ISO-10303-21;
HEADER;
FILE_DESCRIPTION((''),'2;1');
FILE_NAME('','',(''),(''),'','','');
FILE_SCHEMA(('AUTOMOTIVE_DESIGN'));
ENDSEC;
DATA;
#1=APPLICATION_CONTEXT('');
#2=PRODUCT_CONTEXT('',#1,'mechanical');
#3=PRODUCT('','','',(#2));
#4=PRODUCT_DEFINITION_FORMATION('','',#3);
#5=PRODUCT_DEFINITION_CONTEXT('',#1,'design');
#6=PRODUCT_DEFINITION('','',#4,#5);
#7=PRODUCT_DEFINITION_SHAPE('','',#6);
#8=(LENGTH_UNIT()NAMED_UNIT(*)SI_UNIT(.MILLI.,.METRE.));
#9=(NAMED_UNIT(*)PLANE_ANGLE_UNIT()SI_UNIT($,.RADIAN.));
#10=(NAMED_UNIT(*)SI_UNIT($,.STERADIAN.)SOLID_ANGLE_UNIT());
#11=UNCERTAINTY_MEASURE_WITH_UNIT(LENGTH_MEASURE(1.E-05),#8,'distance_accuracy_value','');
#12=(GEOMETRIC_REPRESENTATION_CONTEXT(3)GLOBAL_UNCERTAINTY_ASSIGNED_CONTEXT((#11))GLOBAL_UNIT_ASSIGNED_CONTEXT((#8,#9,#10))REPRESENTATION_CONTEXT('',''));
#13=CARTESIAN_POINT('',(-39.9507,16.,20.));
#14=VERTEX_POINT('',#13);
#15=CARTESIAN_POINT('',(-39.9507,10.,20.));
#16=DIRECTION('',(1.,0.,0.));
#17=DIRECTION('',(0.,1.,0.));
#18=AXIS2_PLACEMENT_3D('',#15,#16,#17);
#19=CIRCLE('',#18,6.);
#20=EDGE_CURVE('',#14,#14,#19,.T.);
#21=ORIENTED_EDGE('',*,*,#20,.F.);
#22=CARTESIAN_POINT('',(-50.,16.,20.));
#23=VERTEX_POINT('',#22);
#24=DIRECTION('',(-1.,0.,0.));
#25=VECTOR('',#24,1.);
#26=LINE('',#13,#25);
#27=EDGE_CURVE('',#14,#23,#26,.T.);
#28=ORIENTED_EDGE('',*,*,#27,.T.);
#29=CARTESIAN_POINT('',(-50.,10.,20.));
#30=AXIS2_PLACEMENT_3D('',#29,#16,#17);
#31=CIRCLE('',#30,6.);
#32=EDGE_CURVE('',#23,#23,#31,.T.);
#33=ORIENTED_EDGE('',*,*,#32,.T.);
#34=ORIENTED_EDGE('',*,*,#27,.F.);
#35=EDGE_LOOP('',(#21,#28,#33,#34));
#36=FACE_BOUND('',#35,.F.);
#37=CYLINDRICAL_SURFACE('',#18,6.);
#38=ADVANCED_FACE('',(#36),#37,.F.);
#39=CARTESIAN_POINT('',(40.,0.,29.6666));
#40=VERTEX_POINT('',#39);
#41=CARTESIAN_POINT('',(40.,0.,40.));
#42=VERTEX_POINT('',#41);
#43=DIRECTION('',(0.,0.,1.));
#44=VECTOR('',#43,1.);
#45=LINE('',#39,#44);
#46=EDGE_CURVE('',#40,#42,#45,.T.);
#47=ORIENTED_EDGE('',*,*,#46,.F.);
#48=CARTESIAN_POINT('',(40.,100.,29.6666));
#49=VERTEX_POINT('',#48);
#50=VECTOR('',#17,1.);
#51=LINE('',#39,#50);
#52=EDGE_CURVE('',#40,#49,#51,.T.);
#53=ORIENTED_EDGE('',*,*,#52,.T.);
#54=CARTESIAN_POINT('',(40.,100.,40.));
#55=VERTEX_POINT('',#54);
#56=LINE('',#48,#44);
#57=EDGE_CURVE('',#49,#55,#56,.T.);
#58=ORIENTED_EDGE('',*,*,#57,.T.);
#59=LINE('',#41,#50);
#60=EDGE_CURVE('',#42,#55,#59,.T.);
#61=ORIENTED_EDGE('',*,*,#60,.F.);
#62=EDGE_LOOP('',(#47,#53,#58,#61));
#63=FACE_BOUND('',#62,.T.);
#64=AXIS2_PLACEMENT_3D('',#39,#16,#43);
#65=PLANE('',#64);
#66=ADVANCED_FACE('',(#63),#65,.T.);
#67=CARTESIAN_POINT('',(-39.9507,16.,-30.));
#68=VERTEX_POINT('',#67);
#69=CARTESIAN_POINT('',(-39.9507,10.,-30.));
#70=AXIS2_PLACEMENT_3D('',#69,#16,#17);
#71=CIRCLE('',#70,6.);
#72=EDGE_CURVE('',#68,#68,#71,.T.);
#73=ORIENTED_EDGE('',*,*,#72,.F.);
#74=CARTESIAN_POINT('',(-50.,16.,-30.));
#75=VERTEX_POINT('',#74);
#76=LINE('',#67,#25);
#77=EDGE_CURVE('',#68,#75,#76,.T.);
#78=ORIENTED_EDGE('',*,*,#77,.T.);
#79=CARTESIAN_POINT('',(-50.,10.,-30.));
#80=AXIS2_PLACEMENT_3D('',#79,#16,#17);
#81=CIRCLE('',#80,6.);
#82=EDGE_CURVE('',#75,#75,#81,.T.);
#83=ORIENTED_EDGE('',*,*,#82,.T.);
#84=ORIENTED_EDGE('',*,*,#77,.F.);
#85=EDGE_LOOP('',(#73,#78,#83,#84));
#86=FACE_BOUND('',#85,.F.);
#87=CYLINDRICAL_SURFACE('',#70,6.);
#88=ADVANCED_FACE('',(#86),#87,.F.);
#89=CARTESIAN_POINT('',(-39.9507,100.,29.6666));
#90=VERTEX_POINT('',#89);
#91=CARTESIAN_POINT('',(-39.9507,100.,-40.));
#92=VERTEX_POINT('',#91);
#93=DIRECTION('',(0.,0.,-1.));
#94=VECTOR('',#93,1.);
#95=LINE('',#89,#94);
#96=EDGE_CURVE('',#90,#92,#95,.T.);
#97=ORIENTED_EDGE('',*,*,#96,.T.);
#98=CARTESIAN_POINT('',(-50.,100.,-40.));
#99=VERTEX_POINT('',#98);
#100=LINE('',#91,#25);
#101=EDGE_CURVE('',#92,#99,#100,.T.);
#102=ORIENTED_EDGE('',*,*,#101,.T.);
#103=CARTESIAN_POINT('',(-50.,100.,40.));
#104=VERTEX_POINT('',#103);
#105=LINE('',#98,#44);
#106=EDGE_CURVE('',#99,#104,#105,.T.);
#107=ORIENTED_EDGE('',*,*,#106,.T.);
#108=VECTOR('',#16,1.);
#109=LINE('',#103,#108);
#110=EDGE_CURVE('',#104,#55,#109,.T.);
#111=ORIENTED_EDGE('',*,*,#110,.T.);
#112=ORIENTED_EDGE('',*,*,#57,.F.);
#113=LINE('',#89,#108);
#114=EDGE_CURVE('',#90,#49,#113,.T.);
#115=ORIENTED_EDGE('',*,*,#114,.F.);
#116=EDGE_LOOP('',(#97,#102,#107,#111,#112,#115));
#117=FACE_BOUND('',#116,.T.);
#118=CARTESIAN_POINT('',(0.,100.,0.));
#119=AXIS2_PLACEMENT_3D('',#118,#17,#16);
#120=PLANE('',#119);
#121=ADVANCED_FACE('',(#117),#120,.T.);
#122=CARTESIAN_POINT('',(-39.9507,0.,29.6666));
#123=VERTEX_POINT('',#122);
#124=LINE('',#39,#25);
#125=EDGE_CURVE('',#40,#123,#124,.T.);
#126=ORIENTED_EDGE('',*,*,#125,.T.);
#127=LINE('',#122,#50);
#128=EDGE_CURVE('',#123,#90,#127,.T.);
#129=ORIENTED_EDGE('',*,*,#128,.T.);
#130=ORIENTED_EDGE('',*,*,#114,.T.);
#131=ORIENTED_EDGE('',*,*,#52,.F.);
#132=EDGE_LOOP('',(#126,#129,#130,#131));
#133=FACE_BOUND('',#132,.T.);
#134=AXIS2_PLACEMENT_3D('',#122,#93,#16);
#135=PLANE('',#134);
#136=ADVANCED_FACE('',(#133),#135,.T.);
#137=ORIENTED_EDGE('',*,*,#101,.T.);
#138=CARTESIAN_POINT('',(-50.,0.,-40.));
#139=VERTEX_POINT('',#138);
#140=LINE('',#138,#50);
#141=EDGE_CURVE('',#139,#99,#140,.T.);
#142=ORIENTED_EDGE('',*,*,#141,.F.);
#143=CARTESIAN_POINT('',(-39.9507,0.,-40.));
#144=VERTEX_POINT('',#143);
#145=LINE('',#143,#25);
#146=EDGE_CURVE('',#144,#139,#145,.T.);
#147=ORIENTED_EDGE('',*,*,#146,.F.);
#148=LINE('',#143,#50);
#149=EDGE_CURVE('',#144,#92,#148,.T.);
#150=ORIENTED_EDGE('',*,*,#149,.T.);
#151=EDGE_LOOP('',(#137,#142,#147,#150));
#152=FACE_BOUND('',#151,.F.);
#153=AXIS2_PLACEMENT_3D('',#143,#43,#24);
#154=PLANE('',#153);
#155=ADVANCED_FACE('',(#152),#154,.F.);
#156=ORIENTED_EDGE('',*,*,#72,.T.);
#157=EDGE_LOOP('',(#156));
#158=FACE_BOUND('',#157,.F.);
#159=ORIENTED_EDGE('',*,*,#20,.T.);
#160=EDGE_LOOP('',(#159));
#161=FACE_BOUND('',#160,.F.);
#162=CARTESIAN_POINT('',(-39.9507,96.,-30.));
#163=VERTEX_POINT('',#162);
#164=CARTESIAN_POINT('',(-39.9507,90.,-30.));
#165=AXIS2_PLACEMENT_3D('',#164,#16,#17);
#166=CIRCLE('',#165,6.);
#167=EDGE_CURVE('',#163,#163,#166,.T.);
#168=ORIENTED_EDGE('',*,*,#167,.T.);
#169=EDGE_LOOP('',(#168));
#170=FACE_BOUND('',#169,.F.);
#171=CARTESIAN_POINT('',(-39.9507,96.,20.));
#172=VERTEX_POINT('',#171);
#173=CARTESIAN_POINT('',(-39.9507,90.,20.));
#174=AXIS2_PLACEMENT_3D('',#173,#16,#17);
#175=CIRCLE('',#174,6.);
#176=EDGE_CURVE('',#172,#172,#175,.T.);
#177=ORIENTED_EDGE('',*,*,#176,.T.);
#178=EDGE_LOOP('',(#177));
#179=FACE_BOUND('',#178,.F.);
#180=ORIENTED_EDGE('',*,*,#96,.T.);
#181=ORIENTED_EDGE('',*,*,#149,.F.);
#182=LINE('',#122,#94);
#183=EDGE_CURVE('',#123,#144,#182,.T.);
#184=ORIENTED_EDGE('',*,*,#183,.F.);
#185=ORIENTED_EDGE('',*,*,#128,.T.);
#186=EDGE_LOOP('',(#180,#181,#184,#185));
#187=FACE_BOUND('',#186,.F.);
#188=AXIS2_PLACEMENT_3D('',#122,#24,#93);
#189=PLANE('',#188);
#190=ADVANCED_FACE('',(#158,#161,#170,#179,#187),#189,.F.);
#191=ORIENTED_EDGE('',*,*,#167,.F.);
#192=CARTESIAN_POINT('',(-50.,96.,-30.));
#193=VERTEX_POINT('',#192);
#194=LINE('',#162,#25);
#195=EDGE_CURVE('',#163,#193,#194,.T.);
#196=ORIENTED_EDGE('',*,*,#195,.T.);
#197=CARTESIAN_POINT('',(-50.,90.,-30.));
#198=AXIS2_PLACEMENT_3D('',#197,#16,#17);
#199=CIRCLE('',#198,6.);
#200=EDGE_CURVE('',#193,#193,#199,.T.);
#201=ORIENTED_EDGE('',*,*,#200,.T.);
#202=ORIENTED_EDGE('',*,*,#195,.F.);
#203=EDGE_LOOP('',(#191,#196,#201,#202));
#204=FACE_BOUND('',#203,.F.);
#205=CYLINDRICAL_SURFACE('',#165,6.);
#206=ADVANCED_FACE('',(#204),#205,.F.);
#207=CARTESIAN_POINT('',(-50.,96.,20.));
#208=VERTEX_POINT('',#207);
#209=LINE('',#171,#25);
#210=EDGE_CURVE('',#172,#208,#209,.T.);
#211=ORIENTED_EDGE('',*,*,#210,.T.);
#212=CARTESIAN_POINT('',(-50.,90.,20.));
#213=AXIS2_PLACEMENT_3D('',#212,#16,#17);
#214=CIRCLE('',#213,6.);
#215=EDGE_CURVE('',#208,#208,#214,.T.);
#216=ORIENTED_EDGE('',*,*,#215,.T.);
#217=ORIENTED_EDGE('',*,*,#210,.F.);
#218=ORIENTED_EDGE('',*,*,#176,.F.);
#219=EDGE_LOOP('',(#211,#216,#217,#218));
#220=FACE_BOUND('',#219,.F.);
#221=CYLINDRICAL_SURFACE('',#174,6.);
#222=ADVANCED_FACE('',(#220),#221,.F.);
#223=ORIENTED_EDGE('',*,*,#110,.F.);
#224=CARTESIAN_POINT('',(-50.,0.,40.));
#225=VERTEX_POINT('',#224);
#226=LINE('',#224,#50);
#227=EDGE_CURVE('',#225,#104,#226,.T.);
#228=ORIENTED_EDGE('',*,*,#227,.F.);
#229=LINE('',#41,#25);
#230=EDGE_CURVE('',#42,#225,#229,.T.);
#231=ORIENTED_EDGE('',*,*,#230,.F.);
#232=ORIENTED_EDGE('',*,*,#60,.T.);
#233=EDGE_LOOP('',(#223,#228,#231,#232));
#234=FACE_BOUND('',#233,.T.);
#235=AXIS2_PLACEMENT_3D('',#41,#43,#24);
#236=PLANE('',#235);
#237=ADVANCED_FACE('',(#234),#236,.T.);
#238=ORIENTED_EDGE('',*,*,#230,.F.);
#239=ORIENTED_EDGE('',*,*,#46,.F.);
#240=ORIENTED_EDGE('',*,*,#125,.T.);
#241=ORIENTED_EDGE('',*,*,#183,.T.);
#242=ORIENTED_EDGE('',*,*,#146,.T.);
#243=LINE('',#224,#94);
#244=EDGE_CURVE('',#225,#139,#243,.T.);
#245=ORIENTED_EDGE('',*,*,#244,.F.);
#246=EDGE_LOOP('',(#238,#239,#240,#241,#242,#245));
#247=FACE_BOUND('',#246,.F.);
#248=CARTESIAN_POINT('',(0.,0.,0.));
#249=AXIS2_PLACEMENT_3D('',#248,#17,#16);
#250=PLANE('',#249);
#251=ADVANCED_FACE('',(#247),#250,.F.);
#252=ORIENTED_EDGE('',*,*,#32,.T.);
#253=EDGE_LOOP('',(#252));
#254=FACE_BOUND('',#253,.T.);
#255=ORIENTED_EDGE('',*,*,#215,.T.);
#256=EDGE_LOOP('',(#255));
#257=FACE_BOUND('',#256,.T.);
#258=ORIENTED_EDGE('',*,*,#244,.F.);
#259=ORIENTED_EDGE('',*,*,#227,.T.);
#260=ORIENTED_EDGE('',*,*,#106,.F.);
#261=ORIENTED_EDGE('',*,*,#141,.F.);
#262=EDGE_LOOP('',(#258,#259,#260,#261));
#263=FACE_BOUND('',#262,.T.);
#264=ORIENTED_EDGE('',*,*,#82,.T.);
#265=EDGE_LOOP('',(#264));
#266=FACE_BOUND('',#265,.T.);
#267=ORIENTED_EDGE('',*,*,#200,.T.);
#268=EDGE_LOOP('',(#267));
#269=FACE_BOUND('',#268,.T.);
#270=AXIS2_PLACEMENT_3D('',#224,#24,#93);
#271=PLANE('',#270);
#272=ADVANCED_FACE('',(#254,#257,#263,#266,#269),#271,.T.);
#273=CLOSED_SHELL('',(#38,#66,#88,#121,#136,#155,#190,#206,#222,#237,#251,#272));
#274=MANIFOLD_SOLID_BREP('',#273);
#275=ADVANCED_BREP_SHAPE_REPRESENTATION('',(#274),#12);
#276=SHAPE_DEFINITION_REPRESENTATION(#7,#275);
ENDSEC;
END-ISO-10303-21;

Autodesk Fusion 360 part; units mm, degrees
sketch "Sketch1" plane through (0, 0, 0) normal (0, 1, 0) x (1, 0, 0)
  line L0 (-39.9507, -29.6666) -> (-39.6666, -29.6666)
  line L1 (-39.9507, -29.6666) -> (-39.9507, 40)
  line L2 (-39.9507, 40) -> (-50, 40)
  line L3 (-50, 40) -> (-50, -29.6666)
  line L4 (-39.9507, -29.6666) -> (40, -29.6666)
  line L5 (40, -29.6666) -> (40, -40)
  line L6 (40, -40) -> (-39.9507, -40)
  line L7 (-50, -40) -> (-50, -29.6666)
  line L8 (-50, -40) -> (-39.9507, -40)
extrude "Extrude1" add sketch "Sketch1" along normal blind 100
sketch "Sketch2" plane through (-39.9507, 0, 0) normal (1, 0, 0) x (0, 1, 0)
  line L0 (0, 29.6666) -> (0, -40)
  line L1 (0, -40) -> (100, -40)
  line L2 (100, -40) -> (100, 29.6666)
  line L3 (100, 29.6666) -> (0, 29.6666)
  circle A0 centre (10, 20) radius 6
  circle A1 centre (90, 20) radius 6
  circle A2 centre (10, -30) radius 6
  circle A3 centre (90, -30) radius 6
  dimension "d3" = 12
  dimension "d6" = 80
  dimension "d7" = -50
extrude "Extrude2" cut sketch "Sketch2" against normal up to surface (10.0493 mm away) contours A0 | A1 | A2 | A3
